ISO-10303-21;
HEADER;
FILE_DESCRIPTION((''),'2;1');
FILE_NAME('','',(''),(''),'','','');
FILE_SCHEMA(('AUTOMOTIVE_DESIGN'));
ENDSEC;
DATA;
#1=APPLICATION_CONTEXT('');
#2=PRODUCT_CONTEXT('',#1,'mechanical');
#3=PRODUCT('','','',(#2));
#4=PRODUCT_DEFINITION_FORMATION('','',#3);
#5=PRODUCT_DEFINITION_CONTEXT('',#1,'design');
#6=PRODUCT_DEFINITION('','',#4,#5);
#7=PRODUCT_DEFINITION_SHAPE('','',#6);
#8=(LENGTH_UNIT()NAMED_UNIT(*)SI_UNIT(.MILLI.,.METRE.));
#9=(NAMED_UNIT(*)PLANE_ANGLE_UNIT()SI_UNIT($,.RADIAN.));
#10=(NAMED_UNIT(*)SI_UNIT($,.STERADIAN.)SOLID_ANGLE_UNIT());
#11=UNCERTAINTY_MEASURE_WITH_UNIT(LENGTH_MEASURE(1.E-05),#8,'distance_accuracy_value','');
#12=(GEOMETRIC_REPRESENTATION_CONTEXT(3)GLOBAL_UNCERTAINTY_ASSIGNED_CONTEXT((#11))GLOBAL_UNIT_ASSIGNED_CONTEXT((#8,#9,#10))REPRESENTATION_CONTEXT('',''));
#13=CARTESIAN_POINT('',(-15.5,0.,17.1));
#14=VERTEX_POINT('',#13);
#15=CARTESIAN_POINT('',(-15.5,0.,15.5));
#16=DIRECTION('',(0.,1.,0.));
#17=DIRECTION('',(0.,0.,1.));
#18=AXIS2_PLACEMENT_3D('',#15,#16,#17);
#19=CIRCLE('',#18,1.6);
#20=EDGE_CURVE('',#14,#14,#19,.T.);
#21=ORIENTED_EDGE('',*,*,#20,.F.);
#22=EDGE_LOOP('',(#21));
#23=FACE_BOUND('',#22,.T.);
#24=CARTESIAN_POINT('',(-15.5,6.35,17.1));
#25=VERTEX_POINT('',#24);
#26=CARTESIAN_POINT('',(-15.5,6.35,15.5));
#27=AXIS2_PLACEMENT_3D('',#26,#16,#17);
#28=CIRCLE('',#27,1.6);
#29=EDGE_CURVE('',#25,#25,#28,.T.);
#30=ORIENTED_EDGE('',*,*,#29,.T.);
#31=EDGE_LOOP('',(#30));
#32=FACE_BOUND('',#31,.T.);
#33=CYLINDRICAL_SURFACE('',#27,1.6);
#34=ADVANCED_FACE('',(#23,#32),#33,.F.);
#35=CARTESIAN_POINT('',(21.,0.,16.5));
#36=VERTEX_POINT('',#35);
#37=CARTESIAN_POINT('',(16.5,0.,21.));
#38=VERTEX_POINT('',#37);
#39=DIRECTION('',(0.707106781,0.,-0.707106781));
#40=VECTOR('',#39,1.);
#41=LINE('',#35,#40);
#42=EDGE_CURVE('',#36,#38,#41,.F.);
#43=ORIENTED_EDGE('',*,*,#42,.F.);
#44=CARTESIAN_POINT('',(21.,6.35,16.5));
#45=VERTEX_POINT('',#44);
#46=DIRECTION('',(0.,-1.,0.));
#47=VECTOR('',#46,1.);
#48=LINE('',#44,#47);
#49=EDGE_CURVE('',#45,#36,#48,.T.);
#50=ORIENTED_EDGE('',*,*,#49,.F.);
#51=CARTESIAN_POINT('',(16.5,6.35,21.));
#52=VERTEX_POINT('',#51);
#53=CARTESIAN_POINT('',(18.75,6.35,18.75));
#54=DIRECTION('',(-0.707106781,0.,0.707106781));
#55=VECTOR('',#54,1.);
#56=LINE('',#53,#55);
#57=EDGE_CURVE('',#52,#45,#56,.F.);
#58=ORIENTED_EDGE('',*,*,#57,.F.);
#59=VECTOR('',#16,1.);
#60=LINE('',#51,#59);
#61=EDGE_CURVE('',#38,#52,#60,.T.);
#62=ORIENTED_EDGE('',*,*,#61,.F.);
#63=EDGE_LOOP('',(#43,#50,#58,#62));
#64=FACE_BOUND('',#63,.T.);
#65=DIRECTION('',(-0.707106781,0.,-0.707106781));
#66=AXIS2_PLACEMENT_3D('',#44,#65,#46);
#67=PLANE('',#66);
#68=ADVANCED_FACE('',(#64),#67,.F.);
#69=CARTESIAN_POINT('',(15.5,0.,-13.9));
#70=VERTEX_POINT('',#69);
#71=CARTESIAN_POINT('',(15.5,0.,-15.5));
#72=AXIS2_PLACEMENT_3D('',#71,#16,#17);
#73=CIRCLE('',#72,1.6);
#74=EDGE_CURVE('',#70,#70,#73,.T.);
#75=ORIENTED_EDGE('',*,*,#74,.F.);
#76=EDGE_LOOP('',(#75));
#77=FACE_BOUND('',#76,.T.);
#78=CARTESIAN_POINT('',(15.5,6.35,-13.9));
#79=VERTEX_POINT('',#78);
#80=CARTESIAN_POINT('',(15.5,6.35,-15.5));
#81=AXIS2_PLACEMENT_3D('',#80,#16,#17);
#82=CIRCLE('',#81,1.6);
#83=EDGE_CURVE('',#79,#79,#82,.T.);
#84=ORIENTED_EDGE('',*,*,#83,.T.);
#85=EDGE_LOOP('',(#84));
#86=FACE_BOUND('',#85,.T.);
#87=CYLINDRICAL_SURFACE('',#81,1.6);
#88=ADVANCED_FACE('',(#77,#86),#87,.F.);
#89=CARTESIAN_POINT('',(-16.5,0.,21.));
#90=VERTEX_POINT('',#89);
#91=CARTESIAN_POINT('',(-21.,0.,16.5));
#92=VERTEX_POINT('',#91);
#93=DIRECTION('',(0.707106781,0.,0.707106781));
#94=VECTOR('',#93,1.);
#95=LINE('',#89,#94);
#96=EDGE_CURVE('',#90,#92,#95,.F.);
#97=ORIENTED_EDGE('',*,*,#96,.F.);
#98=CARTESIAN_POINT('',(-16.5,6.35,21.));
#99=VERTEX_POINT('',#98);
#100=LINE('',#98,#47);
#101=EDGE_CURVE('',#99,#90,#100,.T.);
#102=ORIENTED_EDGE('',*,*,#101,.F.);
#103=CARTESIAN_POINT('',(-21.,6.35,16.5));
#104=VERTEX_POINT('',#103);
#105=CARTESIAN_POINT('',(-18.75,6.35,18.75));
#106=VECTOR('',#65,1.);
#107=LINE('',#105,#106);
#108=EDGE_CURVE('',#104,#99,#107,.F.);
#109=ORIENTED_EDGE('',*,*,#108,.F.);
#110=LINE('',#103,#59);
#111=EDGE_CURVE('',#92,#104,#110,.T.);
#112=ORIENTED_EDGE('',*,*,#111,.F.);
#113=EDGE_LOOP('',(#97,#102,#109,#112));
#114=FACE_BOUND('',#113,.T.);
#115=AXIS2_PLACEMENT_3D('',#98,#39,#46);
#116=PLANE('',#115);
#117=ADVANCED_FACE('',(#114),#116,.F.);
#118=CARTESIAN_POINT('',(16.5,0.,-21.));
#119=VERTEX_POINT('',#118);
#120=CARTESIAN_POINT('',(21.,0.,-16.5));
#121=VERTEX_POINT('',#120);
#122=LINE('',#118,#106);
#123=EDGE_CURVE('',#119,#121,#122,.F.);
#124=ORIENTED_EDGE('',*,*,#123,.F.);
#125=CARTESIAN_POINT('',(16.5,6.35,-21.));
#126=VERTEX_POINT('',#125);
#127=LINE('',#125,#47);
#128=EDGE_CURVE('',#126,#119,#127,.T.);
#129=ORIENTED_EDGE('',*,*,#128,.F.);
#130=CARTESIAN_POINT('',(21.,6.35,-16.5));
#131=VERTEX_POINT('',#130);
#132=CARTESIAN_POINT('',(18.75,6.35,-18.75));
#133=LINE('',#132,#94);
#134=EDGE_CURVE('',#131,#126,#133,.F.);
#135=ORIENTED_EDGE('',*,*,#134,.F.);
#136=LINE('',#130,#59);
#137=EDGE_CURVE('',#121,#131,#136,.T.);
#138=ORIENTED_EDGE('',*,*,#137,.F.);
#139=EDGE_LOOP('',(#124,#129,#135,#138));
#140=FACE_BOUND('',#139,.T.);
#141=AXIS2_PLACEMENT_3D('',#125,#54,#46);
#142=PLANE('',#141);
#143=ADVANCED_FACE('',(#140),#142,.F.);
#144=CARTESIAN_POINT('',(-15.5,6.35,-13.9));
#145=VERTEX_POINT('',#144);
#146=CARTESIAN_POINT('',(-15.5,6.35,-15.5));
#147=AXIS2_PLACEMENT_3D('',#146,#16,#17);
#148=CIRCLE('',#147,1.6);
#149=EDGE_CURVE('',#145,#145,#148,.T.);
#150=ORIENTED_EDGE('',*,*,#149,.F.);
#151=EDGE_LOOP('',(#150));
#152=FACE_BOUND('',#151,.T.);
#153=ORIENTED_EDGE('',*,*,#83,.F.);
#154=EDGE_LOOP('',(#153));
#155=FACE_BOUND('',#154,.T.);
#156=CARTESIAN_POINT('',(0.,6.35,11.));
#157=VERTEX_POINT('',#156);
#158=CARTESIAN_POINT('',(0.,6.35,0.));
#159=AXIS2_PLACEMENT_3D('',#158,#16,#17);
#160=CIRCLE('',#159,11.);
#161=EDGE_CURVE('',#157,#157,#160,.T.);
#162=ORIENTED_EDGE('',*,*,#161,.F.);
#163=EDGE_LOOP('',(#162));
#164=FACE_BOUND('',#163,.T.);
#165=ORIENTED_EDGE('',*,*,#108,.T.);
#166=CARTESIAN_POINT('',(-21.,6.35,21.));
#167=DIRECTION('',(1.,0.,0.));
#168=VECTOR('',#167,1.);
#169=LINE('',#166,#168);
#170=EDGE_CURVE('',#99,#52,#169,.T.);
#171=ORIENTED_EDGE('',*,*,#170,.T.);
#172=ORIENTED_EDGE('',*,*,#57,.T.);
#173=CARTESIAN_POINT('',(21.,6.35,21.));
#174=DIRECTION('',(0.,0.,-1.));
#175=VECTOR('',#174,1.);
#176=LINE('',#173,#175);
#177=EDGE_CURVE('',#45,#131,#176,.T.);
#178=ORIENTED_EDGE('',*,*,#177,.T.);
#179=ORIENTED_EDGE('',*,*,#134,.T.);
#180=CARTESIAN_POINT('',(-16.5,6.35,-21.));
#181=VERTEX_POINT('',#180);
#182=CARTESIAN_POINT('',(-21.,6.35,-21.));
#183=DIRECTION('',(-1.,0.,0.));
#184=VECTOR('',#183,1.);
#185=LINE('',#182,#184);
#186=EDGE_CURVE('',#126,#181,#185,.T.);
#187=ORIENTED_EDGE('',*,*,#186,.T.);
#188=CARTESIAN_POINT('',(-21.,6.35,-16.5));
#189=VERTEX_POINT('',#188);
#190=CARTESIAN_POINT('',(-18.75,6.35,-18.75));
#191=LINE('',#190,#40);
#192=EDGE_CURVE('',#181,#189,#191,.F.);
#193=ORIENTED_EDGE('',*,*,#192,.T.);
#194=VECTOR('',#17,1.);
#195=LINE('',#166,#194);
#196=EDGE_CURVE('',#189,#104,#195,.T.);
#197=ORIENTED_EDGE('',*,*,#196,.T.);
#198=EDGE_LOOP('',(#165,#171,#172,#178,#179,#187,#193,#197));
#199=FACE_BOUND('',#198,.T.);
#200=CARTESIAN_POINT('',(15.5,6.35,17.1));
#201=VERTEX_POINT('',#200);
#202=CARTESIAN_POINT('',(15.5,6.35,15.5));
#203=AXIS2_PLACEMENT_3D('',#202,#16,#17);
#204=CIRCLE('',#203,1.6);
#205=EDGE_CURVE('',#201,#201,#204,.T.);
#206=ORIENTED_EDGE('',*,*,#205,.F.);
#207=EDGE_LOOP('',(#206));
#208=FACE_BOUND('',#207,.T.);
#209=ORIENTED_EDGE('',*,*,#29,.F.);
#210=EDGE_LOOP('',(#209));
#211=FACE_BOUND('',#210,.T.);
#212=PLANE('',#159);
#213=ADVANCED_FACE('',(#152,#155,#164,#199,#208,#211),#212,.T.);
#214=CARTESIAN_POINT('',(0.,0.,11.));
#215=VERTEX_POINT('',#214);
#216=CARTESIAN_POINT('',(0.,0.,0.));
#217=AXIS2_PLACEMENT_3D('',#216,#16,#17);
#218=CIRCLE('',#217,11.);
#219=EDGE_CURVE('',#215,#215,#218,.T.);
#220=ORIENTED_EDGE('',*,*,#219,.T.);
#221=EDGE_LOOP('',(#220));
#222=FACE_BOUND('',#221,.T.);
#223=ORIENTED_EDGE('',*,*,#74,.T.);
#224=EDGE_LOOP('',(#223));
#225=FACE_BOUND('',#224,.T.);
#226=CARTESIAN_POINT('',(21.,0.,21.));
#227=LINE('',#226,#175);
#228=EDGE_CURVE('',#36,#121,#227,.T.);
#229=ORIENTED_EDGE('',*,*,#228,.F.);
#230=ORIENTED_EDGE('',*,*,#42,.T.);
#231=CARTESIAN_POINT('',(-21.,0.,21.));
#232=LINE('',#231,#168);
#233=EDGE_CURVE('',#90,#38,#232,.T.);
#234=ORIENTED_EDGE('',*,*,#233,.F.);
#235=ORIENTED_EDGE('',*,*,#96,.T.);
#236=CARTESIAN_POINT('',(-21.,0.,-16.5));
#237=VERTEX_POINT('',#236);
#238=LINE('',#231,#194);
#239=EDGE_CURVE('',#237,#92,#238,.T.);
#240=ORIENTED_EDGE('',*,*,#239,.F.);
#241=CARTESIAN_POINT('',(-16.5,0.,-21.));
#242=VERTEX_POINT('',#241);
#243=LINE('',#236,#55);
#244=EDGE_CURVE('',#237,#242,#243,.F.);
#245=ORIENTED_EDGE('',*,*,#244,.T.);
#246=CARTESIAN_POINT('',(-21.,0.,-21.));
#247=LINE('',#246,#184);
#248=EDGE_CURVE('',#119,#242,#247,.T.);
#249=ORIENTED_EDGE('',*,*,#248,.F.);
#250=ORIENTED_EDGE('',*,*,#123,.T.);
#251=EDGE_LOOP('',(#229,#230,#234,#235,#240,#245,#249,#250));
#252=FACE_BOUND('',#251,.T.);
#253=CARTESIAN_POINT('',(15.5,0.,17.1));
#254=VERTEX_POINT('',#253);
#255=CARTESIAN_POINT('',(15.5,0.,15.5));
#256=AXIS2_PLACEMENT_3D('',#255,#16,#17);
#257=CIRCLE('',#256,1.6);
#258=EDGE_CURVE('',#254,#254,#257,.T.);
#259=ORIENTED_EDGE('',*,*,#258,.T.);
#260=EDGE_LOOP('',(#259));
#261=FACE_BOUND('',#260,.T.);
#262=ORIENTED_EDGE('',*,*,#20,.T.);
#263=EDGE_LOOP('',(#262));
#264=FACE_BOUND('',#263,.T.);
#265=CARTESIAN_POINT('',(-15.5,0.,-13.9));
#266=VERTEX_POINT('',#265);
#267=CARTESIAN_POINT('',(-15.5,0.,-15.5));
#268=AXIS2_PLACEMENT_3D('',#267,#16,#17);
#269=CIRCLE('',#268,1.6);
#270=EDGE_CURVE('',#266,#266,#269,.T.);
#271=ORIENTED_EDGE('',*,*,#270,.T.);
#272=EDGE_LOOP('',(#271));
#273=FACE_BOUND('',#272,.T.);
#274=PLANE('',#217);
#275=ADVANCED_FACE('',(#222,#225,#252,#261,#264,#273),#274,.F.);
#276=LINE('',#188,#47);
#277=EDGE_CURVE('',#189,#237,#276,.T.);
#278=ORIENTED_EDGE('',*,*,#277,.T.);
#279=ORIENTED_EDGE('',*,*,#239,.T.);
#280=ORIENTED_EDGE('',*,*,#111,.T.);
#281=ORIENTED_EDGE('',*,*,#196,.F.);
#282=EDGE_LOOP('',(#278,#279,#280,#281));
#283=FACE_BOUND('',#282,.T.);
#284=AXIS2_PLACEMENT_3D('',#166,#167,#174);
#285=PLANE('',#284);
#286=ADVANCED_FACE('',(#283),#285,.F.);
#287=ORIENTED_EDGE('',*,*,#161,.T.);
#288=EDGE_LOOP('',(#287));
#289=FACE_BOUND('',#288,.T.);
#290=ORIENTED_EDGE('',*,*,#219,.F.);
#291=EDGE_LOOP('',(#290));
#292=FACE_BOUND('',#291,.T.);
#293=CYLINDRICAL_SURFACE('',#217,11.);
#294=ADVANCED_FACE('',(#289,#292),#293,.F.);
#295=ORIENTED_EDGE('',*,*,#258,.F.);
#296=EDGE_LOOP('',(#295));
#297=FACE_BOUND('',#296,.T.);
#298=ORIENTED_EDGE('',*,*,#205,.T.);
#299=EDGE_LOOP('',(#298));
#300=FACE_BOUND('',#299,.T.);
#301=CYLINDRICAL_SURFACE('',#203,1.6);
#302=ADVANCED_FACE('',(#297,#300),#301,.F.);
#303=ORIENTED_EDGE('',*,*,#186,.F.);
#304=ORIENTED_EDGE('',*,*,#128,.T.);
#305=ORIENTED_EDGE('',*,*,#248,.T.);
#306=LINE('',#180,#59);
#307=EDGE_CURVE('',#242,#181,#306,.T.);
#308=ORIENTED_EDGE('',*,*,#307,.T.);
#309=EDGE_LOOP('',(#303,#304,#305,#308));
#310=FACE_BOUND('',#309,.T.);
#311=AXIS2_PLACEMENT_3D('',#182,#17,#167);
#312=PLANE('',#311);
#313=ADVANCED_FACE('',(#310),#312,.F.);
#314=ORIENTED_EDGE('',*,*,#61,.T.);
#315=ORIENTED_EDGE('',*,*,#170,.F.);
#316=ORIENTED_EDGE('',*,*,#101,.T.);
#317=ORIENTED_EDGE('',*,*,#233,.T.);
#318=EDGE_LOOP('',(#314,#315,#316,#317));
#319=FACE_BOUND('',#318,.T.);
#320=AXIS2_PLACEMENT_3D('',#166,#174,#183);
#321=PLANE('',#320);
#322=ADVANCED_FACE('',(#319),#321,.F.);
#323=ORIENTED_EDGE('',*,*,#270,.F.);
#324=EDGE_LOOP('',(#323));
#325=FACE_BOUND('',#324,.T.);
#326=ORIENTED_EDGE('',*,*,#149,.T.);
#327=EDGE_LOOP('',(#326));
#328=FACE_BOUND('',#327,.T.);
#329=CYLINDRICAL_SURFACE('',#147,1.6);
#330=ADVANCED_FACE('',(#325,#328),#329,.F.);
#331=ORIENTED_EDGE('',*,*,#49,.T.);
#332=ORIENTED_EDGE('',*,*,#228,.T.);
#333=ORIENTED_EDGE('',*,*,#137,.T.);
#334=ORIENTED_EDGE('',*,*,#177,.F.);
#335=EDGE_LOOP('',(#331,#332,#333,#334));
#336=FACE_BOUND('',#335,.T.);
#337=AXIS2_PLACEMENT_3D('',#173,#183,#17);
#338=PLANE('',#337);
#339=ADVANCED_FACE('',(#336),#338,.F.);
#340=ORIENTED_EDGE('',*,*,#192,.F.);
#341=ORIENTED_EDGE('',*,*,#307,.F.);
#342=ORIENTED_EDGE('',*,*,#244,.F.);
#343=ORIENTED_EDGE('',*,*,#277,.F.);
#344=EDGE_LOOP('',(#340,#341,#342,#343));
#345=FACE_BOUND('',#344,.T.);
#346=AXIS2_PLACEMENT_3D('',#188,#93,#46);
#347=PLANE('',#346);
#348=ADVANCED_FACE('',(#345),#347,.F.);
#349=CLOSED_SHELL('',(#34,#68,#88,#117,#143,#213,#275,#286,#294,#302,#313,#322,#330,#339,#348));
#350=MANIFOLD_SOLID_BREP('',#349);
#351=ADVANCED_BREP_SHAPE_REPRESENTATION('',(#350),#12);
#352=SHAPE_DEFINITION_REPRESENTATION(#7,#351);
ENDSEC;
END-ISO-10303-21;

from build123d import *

# Parameters (mm, degrees)
SKETCH1_W            = 42
SKETCH1_H            = 42
BOSS_EXTRUDE1_DEPTH  = 6.35
CHAMFER1_SIZE        = 4.5
M3_CLEARANCE_HOLE1_D = 3.2
SKETCH6_R            = 11
CUT_EXTRUDE1_DEPTH   = 7.35


with BuildPart() as part:
    # Sketch1 → Boss-Extrude1 (new body)
    with BuildSketch(Plane(origin=(0, 0, 0), x_dir=(1, 0, 0), z_dir=(0, 1, 0))):
        Rectangle(SKETCH1_W, SKETCH1_H)
    extrude(amount=BOSS_EXTRUDE1_DEPTH)

    # Chamfer1
    chamfer1_edges = [part.edges().sort_by_distance(p)[0] for p in [
        (-21, 3.175, 21),
        (-21, 3.175, -21),
        (21, 3.175, -21),
        (21, 3.175, 21),
    ]]
    chamfer(chamfer1_edges, length=CHAMFER1_SIZE)

    # M3 Clearance Hole1 (through all)
    with Locations(Plane(origin=(0, 6.35, 0), x_dir=(1, 0, 0), z_dir=(0, 1, 0))):
        with Locations((-15.5, 15.5), (-15.5, -15.5), (15.5, -15.5), (15.5, 15.5)):
            Hole(M3_CLEARANCE_HOLE1_D / 2)

    # Sketch6 → Cut-Extrude1 (cut, through all)
    with BuildSketch(Plane(origin=(0, 6.35, 0), x_dir=(1, 0, 0), z_dir=(0, 1, 0))):
        Circle(SKETCH6_R)
    extrude(amount=-CUT_EXTRUDE1_DEPTH, mode=Mode.SUBTRACT)


solid = part.part
